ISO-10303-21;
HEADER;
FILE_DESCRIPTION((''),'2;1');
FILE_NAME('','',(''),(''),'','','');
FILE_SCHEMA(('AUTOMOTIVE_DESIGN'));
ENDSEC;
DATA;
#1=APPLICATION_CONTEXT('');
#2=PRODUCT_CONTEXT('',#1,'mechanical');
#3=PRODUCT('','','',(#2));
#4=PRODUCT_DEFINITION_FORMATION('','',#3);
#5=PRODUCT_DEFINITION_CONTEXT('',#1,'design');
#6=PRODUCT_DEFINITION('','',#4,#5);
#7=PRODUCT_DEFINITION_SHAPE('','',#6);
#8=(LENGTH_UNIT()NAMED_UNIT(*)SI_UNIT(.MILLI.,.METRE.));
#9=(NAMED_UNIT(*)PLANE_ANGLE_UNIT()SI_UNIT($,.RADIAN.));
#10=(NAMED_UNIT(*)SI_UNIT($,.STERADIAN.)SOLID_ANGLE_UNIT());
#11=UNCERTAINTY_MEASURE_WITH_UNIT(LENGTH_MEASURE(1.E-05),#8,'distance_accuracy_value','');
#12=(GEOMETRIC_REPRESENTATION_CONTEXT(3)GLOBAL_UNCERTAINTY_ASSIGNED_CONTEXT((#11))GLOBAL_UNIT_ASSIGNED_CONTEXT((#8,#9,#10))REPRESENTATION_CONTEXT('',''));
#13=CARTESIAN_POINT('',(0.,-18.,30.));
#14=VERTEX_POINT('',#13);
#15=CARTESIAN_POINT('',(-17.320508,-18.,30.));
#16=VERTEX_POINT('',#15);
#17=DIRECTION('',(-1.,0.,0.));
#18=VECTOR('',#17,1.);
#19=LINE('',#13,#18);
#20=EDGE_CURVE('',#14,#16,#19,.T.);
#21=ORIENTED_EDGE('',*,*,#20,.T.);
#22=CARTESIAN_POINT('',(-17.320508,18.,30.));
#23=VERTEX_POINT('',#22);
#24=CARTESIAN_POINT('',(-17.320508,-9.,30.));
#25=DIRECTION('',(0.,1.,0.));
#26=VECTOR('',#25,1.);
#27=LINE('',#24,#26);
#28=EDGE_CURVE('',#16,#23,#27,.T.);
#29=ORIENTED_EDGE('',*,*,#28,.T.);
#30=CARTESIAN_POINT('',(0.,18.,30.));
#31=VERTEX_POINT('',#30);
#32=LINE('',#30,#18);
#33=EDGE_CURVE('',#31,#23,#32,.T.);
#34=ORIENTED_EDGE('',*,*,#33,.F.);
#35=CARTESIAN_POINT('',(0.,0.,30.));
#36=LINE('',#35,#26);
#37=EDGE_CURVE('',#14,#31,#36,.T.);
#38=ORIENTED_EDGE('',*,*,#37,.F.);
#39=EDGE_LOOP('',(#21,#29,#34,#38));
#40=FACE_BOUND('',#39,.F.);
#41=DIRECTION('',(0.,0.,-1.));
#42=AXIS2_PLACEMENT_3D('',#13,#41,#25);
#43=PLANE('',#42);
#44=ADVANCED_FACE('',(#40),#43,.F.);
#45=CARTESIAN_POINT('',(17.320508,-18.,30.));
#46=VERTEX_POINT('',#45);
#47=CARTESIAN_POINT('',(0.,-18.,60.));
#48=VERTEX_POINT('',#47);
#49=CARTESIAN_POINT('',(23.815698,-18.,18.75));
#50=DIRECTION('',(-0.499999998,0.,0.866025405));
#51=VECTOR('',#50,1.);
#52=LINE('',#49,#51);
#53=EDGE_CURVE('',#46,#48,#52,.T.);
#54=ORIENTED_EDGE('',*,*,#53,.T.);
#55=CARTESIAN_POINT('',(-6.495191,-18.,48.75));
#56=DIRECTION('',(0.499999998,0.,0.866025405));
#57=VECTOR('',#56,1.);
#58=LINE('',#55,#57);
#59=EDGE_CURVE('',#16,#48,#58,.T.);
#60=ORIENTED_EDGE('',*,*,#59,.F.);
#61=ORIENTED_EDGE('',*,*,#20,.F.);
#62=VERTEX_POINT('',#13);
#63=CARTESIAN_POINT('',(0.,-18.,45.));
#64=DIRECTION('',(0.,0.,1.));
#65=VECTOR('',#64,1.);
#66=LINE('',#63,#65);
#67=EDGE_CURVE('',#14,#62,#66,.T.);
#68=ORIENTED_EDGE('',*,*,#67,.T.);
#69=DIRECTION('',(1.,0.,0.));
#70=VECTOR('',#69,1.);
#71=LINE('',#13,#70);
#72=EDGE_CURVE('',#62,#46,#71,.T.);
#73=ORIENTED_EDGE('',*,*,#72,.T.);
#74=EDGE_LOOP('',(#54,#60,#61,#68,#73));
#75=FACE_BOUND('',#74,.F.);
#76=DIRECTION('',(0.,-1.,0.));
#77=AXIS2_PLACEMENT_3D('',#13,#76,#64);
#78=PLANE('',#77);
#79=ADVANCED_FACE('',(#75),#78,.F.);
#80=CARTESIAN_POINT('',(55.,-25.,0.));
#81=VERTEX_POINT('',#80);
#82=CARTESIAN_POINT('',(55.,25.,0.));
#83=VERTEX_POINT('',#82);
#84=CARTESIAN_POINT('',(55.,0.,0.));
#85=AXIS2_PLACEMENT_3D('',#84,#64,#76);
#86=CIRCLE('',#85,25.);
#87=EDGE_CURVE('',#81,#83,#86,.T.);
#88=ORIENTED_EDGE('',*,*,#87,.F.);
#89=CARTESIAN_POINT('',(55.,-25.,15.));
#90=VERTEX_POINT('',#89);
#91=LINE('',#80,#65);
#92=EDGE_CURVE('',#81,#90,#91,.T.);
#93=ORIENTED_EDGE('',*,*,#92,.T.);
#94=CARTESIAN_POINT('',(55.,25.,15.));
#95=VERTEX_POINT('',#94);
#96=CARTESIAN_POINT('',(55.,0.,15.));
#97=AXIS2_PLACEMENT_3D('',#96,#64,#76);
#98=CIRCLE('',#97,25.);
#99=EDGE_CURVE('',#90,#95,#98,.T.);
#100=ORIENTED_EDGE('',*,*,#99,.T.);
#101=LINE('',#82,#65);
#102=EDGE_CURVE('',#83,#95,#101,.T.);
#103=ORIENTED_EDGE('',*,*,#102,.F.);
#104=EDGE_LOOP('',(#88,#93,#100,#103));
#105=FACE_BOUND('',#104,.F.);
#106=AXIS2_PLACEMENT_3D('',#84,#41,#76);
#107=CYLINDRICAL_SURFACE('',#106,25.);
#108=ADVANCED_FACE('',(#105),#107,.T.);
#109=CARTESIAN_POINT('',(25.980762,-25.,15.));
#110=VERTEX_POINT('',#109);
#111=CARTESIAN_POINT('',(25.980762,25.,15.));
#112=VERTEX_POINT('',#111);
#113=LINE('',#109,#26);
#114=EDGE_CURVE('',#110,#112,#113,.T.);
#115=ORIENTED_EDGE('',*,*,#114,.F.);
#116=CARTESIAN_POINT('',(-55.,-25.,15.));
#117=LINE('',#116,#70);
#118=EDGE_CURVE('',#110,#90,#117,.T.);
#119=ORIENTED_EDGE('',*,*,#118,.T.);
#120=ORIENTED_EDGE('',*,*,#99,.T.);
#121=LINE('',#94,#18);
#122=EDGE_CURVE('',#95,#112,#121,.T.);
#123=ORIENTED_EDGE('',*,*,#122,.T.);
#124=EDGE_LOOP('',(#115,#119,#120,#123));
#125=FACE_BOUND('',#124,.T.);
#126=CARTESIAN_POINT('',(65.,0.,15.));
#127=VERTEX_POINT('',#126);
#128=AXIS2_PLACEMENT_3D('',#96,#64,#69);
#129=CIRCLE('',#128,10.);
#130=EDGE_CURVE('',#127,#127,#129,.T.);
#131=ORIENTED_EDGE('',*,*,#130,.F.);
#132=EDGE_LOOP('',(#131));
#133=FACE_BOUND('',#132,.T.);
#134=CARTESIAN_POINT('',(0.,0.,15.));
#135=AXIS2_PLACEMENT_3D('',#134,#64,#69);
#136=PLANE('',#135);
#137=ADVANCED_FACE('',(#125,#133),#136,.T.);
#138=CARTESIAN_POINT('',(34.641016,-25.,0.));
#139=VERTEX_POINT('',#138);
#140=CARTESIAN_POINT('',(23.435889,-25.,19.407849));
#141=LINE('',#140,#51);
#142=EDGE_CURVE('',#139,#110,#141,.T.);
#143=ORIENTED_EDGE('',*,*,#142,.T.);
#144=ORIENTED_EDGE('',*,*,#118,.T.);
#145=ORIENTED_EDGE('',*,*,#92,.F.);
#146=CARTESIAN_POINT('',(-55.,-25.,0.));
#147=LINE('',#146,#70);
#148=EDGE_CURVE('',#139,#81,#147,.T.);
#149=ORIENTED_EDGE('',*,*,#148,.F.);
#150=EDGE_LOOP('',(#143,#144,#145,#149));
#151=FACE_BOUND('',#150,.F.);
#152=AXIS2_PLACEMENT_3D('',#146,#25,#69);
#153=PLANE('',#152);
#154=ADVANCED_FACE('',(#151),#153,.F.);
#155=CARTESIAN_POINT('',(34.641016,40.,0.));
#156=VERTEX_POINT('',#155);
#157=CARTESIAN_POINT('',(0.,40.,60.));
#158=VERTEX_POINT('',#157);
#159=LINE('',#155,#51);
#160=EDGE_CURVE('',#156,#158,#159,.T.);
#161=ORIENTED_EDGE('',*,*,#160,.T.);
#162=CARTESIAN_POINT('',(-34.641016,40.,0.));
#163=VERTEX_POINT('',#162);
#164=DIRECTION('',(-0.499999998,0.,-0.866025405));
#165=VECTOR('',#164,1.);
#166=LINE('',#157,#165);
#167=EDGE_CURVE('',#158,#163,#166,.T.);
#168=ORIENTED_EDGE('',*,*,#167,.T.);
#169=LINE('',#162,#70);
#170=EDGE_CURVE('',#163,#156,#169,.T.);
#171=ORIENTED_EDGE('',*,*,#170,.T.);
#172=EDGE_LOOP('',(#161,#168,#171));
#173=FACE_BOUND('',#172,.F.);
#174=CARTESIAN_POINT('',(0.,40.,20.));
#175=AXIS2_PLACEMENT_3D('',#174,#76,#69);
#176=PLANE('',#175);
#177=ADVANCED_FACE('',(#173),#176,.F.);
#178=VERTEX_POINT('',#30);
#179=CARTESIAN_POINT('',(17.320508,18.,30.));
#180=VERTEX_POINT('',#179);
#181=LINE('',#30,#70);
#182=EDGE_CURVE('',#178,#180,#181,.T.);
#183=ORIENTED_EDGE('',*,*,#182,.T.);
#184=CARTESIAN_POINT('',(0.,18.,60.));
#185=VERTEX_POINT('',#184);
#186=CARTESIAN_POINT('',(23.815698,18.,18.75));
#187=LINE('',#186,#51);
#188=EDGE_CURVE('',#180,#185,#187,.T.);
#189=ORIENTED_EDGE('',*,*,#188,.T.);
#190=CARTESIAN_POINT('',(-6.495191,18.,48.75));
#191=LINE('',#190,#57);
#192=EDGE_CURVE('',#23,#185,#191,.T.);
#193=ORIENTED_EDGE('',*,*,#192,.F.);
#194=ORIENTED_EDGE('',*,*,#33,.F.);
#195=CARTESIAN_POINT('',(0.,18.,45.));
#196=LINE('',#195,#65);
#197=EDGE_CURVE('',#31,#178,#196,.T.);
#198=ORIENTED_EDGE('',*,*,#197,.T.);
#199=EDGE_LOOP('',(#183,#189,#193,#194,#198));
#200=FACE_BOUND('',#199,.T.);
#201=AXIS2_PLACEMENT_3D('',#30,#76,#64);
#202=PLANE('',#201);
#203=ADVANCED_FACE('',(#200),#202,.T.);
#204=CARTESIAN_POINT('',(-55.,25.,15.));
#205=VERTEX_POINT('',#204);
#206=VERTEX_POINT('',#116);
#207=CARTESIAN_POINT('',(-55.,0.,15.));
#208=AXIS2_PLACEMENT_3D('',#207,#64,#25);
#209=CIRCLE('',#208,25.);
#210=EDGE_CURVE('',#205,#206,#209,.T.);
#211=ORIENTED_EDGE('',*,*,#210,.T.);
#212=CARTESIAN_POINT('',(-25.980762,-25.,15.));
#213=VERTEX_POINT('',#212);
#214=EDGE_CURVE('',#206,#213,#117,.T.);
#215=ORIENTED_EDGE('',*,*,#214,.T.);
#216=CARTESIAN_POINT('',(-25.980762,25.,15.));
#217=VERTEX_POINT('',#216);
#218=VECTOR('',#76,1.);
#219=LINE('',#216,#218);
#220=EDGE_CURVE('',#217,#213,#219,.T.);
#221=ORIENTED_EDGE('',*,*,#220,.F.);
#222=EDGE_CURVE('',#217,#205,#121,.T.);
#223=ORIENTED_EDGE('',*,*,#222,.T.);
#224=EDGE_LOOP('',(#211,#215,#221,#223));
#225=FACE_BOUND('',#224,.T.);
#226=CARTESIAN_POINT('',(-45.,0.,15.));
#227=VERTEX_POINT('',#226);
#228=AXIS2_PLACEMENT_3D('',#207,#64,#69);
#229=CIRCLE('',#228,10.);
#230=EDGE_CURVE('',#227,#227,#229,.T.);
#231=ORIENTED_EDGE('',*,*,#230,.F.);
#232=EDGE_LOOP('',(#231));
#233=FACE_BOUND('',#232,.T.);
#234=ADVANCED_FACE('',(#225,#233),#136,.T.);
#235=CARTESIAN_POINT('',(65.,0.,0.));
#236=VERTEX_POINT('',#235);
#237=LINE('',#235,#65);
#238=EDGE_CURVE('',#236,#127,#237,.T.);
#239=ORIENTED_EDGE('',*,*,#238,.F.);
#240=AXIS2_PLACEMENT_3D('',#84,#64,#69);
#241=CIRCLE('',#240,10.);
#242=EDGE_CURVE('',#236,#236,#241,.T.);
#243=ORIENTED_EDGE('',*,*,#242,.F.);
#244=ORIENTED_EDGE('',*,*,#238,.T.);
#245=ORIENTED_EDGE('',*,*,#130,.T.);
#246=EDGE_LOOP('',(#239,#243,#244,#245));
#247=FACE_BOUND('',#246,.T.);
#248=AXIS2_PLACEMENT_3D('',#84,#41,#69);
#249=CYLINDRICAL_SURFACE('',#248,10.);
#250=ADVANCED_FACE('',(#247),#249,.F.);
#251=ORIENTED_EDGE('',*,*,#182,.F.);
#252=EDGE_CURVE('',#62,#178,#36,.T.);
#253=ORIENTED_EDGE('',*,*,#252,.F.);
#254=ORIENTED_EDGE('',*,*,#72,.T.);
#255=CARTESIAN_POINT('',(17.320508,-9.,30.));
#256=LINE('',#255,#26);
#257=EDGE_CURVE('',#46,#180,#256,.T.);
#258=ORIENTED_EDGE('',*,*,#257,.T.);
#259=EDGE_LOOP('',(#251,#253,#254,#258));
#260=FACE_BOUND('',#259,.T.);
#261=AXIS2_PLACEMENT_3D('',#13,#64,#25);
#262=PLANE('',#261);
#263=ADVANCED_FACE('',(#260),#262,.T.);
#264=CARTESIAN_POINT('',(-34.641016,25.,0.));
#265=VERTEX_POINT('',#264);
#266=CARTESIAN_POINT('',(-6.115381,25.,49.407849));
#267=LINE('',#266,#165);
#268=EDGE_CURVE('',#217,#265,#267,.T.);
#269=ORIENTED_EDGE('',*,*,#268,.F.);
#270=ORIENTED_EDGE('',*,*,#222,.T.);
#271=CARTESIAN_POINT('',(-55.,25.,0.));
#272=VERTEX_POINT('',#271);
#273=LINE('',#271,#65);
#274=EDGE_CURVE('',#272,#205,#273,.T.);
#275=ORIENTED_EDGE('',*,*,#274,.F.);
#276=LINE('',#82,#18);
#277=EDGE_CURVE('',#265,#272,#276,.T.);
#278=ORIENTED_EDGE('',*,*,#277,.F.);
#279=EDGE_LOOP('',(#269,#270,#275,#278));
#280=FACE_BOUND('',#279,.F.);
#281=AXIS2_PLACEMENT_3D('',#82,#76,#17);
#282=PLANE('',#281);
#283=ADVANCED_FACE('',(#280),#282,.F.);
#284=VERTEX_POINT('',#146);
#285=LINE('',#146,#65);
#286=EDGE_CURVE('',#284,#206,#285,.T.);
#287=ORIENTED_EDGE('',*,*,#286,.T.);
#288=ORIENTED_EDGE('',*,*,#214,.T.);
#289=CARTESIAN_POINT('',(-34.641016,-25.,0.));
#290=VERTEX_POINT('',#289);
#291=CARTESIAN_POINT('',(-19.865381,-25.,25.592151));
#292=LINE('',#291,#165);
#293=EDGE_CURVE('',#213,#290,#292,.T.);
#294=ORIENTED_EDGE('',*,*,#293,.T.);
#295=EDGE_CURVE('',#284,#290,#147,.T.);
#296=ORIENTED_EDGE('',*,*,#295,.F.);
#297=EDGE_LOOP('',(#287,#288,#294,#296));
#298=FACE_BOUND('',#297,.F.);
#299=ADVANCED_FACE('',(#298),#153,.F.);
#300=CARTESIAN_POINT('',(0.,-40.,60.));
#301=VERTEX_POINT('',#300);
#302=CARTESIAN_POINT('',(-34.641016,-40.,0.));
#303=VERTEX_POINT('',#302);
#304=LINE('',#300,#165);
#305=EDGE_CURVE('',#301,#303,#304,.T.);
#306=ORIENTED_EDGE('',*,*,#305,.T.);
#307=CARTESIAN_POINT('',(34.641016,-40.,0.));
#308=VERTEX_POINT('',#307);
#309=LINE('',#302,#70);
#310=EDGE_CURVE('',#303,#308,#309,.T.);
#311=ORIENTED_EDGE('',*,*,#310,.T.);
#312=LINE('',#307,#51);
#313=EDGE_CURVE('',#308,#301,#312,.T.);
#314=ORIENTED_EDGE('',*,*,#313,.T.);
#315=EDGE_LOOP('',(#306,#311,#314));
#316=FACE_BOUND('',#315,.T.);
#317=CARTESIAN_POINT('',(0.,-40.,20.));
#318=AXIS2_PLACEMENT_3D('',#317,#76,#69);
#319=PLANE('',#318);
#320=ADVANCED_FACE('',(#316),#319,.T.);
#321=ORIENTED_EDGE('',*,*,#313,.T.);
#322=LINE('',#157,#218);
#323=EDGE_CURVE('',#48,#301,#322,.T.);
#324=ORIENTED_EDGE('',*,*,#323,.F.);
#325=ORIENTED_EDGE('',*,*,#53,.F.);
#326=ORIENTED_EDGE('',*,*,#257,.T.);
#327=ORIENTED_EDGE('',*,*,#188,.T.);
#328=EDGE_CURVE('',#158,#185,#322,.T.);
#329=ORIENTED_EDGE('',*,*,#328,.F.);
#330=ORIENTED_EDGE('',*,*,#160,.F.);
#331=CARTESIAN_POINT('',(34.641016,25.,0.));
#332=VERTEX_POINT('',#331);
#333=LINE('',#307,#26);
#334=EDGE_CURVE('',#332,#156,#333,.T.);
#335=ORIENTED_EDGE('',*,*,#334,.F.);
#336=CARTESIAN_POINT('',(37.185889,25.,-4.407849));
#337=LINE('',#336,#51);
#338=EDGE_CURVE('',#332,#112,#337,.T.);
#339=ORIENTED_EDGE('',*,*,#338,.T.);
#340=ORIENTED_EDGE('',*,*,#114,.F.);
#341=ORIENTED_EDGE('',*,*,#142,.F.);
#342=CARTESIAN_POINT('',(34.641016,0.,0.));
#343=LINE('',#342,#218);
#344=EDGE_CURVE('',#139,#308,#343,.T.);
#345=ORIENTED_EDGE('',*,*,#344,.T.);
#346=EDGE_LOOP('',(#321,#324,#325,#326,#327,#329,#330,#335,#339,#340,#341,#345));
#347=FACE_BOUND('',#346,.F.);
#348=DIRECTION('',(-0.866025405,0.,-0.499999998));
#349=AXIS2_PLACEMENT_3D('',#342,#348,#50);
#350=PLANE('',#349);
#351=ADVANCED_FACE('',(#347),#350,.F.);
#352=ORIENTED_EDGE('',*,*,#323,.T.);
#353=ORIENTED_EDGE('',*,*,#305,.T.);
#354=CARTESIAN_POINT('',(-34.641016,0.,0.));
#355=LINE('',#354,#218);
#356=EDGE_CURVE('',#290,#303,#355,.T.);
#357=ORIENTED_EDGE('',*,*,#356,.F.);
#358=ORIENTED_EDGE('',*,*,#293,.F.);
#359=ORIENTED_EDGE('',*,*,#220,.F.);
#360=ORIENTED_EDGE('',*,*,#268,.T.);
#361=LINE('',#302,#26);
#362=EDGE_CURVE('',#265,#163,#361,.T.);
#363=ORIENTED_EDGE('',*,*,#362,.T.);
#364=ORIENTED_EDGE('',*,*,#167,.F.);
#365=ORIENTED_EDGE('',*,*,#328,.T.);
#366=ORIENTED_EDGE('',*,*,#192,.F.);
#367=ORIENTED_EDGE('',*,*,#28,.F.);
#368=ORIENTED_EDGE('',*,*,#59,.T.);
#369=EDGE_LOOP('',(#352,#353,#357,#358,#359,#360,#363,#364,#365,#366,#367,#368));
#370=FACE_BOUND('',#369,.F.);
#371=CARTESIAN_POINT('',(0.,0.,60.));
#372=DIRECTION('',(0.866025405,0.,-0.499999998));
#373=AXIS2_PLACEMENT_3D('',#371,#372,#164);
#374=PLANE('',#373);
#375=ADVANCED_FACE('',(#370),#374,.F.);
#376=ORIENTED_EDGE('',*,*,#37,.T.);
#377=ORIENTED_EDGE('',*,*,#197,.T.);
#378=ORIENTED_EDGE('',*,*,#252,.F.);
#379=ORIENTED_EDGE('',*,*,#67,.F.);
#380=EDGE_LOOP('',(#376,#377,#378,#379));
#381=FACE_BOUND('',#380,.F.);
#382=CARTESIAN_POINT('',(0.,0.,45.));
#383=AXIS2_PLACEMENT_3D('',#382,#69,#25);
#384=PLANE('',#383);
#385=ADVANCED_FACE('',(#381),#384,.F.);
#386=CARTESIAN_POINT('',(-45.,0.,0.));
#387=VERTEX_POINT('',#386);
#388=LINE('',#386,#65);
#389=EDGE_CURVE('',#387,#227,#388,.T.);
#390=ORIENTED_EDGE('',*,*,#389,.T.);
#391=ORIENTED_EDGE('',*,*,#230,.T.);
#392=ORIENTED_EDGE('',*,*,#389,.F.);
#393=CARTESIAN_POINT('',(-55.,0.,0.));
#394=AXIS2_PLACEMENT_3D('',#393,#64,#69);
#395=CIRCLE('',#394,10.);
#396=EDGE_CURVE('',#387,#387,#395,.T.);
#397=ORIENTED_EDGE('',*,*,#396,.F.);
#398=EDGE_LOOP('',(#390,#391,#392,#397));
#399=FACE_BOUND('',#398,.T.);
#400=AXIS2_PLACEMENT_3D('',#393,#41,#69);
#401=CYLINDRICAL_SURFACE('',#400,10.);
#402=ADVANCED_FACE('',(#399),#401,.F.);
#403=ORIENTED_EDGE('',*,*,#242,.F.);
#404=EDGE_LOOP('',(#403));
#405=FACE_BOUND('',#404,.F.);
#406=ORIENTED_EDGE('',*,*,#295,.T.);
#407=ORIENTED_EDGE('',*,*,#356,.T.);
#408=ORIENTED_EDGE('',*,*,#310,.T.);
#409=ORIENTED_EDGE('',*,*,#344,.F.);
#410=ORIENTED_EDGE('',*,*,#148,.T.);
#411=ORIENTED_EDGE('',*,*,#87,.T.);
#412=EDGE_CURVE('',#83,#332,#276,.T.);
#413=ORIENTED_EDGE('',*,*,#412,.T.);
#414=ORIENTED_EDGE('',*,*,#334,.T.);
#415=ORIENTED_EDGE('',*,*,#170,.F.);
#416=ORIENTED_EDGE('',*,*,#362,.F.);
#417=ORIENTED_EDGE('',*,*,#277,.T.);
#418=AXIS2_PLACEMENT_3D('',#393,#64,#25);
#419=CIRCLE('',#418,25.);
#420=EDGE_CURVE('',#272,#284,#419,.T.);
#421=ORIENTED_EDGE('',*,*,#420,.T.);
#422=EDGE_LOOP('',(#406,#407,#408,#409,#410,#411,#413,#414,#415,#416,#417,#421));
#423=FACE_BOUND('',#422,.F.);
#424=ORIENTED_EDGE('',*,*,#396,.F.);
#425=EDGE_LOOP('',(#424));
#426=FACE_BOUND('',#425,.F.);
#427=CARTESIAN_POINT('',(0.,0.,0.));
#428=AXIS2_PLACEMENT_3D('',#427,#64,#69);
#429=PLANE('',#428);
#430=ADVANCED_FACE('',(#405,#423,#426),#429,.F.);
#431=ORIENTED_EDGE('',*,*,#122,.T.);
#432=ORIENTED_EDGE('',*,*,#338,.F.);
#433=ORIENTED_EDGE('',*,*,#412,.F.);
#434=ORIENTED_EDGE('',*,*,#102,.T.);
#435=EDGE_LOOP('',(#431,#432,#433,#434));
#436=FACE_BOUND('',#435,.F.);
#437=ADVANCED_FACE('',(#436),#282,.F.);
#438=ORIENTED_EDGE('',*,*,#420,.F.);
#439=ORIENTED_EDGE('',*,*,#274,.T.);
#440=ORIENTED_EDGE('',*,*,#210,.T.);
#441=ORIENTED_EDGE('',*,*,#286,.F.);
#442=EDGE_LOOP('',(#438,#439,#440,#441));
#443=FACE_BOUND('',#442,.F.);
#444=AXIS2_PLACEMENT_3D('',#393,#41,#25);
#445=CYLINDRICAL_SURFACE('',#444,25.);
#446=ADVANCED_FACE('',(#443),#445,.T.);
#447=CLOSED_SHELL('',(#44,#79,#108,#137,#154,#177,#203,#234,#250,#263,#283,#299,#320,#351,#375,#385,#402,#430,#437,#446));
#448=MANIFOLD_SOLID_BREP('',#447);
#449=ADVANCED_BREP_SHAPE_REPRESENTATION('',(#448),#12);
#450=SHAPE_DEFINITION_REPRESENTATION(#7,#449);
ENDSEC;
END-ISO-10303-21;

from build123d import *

# Parameters (mm, degrees)
F0_R      = 10
F1_DEPTH  = 15
F3_DEPTH  = 40
F4_DEPTH  = 80
F5_W      = 36
F5_H      = 30.551141
F6_DEPTH  = 25
F6_FACE_W = 36
F6_FACE_H = 30
F7_DEPTH  = 25


with BuildPart() as f1:
    # F0 (on Top) → F1 (new body)
    with BuildSketch(Plane.XY):
        with BuildLine():
            Line((-55, -25), (55, -25))
            ThreePointArc((55, -25), (80, 0), (55, 25))
            Line((55, 25), (-55, 25))
            ThreePointArc((-55, 25), (-80, 0), (-55, -25))
        make_face()
        with Locations((-55, 0)):
            Circle(F0_R, mode=Mode.SUBTRACT)
        with Locations((55, 0)):
            Circle(F0_R, mode=Mode.SUBTRACT)
    extrude(amount=F1_DEPTH)

    # F2 (on Front) → F3 (join)
    with BuildSketch(Plane.XZ):
        Polygon((34.641016, 0), (0, 60), (-34.641016, 0), align=None)
    extrude(amount=F3_DEPTH)

    # F3_face (on face) → F4 (join)
    with BuildSketch(Plane(origin=(0, -40, 20), x_dir=(1, 0, 0), z_dir=(0, -1, 0))):
        Polygon((34.641016, -20), (0, 40), (-34.641016, -20), align=None)
    extrude(amount=-F4_DEPTH)

    # F5 (on Right) → F6 (cut)
    with BuildSketch(Plane.YZ):
        with Locations((0, 45.275571)):
            Rectangle(F5_W, F5_H)
    extrude(amount=F6_DEPTH, mode=Mode.SUBTRACT)

    # F6_face (on face) → F7 (cut)
    with BuildSketch(Plane(origin=(0, 0, 45), x_dir=(0, 1, 0), z_dir=(1, 0, 0))):
        Rectangle(F6_FACE_W, F6_FACE_H)
    extrude(amount=-F7_DEPTH, mode=Mode.SUBTRACT)


solid = f1.part
